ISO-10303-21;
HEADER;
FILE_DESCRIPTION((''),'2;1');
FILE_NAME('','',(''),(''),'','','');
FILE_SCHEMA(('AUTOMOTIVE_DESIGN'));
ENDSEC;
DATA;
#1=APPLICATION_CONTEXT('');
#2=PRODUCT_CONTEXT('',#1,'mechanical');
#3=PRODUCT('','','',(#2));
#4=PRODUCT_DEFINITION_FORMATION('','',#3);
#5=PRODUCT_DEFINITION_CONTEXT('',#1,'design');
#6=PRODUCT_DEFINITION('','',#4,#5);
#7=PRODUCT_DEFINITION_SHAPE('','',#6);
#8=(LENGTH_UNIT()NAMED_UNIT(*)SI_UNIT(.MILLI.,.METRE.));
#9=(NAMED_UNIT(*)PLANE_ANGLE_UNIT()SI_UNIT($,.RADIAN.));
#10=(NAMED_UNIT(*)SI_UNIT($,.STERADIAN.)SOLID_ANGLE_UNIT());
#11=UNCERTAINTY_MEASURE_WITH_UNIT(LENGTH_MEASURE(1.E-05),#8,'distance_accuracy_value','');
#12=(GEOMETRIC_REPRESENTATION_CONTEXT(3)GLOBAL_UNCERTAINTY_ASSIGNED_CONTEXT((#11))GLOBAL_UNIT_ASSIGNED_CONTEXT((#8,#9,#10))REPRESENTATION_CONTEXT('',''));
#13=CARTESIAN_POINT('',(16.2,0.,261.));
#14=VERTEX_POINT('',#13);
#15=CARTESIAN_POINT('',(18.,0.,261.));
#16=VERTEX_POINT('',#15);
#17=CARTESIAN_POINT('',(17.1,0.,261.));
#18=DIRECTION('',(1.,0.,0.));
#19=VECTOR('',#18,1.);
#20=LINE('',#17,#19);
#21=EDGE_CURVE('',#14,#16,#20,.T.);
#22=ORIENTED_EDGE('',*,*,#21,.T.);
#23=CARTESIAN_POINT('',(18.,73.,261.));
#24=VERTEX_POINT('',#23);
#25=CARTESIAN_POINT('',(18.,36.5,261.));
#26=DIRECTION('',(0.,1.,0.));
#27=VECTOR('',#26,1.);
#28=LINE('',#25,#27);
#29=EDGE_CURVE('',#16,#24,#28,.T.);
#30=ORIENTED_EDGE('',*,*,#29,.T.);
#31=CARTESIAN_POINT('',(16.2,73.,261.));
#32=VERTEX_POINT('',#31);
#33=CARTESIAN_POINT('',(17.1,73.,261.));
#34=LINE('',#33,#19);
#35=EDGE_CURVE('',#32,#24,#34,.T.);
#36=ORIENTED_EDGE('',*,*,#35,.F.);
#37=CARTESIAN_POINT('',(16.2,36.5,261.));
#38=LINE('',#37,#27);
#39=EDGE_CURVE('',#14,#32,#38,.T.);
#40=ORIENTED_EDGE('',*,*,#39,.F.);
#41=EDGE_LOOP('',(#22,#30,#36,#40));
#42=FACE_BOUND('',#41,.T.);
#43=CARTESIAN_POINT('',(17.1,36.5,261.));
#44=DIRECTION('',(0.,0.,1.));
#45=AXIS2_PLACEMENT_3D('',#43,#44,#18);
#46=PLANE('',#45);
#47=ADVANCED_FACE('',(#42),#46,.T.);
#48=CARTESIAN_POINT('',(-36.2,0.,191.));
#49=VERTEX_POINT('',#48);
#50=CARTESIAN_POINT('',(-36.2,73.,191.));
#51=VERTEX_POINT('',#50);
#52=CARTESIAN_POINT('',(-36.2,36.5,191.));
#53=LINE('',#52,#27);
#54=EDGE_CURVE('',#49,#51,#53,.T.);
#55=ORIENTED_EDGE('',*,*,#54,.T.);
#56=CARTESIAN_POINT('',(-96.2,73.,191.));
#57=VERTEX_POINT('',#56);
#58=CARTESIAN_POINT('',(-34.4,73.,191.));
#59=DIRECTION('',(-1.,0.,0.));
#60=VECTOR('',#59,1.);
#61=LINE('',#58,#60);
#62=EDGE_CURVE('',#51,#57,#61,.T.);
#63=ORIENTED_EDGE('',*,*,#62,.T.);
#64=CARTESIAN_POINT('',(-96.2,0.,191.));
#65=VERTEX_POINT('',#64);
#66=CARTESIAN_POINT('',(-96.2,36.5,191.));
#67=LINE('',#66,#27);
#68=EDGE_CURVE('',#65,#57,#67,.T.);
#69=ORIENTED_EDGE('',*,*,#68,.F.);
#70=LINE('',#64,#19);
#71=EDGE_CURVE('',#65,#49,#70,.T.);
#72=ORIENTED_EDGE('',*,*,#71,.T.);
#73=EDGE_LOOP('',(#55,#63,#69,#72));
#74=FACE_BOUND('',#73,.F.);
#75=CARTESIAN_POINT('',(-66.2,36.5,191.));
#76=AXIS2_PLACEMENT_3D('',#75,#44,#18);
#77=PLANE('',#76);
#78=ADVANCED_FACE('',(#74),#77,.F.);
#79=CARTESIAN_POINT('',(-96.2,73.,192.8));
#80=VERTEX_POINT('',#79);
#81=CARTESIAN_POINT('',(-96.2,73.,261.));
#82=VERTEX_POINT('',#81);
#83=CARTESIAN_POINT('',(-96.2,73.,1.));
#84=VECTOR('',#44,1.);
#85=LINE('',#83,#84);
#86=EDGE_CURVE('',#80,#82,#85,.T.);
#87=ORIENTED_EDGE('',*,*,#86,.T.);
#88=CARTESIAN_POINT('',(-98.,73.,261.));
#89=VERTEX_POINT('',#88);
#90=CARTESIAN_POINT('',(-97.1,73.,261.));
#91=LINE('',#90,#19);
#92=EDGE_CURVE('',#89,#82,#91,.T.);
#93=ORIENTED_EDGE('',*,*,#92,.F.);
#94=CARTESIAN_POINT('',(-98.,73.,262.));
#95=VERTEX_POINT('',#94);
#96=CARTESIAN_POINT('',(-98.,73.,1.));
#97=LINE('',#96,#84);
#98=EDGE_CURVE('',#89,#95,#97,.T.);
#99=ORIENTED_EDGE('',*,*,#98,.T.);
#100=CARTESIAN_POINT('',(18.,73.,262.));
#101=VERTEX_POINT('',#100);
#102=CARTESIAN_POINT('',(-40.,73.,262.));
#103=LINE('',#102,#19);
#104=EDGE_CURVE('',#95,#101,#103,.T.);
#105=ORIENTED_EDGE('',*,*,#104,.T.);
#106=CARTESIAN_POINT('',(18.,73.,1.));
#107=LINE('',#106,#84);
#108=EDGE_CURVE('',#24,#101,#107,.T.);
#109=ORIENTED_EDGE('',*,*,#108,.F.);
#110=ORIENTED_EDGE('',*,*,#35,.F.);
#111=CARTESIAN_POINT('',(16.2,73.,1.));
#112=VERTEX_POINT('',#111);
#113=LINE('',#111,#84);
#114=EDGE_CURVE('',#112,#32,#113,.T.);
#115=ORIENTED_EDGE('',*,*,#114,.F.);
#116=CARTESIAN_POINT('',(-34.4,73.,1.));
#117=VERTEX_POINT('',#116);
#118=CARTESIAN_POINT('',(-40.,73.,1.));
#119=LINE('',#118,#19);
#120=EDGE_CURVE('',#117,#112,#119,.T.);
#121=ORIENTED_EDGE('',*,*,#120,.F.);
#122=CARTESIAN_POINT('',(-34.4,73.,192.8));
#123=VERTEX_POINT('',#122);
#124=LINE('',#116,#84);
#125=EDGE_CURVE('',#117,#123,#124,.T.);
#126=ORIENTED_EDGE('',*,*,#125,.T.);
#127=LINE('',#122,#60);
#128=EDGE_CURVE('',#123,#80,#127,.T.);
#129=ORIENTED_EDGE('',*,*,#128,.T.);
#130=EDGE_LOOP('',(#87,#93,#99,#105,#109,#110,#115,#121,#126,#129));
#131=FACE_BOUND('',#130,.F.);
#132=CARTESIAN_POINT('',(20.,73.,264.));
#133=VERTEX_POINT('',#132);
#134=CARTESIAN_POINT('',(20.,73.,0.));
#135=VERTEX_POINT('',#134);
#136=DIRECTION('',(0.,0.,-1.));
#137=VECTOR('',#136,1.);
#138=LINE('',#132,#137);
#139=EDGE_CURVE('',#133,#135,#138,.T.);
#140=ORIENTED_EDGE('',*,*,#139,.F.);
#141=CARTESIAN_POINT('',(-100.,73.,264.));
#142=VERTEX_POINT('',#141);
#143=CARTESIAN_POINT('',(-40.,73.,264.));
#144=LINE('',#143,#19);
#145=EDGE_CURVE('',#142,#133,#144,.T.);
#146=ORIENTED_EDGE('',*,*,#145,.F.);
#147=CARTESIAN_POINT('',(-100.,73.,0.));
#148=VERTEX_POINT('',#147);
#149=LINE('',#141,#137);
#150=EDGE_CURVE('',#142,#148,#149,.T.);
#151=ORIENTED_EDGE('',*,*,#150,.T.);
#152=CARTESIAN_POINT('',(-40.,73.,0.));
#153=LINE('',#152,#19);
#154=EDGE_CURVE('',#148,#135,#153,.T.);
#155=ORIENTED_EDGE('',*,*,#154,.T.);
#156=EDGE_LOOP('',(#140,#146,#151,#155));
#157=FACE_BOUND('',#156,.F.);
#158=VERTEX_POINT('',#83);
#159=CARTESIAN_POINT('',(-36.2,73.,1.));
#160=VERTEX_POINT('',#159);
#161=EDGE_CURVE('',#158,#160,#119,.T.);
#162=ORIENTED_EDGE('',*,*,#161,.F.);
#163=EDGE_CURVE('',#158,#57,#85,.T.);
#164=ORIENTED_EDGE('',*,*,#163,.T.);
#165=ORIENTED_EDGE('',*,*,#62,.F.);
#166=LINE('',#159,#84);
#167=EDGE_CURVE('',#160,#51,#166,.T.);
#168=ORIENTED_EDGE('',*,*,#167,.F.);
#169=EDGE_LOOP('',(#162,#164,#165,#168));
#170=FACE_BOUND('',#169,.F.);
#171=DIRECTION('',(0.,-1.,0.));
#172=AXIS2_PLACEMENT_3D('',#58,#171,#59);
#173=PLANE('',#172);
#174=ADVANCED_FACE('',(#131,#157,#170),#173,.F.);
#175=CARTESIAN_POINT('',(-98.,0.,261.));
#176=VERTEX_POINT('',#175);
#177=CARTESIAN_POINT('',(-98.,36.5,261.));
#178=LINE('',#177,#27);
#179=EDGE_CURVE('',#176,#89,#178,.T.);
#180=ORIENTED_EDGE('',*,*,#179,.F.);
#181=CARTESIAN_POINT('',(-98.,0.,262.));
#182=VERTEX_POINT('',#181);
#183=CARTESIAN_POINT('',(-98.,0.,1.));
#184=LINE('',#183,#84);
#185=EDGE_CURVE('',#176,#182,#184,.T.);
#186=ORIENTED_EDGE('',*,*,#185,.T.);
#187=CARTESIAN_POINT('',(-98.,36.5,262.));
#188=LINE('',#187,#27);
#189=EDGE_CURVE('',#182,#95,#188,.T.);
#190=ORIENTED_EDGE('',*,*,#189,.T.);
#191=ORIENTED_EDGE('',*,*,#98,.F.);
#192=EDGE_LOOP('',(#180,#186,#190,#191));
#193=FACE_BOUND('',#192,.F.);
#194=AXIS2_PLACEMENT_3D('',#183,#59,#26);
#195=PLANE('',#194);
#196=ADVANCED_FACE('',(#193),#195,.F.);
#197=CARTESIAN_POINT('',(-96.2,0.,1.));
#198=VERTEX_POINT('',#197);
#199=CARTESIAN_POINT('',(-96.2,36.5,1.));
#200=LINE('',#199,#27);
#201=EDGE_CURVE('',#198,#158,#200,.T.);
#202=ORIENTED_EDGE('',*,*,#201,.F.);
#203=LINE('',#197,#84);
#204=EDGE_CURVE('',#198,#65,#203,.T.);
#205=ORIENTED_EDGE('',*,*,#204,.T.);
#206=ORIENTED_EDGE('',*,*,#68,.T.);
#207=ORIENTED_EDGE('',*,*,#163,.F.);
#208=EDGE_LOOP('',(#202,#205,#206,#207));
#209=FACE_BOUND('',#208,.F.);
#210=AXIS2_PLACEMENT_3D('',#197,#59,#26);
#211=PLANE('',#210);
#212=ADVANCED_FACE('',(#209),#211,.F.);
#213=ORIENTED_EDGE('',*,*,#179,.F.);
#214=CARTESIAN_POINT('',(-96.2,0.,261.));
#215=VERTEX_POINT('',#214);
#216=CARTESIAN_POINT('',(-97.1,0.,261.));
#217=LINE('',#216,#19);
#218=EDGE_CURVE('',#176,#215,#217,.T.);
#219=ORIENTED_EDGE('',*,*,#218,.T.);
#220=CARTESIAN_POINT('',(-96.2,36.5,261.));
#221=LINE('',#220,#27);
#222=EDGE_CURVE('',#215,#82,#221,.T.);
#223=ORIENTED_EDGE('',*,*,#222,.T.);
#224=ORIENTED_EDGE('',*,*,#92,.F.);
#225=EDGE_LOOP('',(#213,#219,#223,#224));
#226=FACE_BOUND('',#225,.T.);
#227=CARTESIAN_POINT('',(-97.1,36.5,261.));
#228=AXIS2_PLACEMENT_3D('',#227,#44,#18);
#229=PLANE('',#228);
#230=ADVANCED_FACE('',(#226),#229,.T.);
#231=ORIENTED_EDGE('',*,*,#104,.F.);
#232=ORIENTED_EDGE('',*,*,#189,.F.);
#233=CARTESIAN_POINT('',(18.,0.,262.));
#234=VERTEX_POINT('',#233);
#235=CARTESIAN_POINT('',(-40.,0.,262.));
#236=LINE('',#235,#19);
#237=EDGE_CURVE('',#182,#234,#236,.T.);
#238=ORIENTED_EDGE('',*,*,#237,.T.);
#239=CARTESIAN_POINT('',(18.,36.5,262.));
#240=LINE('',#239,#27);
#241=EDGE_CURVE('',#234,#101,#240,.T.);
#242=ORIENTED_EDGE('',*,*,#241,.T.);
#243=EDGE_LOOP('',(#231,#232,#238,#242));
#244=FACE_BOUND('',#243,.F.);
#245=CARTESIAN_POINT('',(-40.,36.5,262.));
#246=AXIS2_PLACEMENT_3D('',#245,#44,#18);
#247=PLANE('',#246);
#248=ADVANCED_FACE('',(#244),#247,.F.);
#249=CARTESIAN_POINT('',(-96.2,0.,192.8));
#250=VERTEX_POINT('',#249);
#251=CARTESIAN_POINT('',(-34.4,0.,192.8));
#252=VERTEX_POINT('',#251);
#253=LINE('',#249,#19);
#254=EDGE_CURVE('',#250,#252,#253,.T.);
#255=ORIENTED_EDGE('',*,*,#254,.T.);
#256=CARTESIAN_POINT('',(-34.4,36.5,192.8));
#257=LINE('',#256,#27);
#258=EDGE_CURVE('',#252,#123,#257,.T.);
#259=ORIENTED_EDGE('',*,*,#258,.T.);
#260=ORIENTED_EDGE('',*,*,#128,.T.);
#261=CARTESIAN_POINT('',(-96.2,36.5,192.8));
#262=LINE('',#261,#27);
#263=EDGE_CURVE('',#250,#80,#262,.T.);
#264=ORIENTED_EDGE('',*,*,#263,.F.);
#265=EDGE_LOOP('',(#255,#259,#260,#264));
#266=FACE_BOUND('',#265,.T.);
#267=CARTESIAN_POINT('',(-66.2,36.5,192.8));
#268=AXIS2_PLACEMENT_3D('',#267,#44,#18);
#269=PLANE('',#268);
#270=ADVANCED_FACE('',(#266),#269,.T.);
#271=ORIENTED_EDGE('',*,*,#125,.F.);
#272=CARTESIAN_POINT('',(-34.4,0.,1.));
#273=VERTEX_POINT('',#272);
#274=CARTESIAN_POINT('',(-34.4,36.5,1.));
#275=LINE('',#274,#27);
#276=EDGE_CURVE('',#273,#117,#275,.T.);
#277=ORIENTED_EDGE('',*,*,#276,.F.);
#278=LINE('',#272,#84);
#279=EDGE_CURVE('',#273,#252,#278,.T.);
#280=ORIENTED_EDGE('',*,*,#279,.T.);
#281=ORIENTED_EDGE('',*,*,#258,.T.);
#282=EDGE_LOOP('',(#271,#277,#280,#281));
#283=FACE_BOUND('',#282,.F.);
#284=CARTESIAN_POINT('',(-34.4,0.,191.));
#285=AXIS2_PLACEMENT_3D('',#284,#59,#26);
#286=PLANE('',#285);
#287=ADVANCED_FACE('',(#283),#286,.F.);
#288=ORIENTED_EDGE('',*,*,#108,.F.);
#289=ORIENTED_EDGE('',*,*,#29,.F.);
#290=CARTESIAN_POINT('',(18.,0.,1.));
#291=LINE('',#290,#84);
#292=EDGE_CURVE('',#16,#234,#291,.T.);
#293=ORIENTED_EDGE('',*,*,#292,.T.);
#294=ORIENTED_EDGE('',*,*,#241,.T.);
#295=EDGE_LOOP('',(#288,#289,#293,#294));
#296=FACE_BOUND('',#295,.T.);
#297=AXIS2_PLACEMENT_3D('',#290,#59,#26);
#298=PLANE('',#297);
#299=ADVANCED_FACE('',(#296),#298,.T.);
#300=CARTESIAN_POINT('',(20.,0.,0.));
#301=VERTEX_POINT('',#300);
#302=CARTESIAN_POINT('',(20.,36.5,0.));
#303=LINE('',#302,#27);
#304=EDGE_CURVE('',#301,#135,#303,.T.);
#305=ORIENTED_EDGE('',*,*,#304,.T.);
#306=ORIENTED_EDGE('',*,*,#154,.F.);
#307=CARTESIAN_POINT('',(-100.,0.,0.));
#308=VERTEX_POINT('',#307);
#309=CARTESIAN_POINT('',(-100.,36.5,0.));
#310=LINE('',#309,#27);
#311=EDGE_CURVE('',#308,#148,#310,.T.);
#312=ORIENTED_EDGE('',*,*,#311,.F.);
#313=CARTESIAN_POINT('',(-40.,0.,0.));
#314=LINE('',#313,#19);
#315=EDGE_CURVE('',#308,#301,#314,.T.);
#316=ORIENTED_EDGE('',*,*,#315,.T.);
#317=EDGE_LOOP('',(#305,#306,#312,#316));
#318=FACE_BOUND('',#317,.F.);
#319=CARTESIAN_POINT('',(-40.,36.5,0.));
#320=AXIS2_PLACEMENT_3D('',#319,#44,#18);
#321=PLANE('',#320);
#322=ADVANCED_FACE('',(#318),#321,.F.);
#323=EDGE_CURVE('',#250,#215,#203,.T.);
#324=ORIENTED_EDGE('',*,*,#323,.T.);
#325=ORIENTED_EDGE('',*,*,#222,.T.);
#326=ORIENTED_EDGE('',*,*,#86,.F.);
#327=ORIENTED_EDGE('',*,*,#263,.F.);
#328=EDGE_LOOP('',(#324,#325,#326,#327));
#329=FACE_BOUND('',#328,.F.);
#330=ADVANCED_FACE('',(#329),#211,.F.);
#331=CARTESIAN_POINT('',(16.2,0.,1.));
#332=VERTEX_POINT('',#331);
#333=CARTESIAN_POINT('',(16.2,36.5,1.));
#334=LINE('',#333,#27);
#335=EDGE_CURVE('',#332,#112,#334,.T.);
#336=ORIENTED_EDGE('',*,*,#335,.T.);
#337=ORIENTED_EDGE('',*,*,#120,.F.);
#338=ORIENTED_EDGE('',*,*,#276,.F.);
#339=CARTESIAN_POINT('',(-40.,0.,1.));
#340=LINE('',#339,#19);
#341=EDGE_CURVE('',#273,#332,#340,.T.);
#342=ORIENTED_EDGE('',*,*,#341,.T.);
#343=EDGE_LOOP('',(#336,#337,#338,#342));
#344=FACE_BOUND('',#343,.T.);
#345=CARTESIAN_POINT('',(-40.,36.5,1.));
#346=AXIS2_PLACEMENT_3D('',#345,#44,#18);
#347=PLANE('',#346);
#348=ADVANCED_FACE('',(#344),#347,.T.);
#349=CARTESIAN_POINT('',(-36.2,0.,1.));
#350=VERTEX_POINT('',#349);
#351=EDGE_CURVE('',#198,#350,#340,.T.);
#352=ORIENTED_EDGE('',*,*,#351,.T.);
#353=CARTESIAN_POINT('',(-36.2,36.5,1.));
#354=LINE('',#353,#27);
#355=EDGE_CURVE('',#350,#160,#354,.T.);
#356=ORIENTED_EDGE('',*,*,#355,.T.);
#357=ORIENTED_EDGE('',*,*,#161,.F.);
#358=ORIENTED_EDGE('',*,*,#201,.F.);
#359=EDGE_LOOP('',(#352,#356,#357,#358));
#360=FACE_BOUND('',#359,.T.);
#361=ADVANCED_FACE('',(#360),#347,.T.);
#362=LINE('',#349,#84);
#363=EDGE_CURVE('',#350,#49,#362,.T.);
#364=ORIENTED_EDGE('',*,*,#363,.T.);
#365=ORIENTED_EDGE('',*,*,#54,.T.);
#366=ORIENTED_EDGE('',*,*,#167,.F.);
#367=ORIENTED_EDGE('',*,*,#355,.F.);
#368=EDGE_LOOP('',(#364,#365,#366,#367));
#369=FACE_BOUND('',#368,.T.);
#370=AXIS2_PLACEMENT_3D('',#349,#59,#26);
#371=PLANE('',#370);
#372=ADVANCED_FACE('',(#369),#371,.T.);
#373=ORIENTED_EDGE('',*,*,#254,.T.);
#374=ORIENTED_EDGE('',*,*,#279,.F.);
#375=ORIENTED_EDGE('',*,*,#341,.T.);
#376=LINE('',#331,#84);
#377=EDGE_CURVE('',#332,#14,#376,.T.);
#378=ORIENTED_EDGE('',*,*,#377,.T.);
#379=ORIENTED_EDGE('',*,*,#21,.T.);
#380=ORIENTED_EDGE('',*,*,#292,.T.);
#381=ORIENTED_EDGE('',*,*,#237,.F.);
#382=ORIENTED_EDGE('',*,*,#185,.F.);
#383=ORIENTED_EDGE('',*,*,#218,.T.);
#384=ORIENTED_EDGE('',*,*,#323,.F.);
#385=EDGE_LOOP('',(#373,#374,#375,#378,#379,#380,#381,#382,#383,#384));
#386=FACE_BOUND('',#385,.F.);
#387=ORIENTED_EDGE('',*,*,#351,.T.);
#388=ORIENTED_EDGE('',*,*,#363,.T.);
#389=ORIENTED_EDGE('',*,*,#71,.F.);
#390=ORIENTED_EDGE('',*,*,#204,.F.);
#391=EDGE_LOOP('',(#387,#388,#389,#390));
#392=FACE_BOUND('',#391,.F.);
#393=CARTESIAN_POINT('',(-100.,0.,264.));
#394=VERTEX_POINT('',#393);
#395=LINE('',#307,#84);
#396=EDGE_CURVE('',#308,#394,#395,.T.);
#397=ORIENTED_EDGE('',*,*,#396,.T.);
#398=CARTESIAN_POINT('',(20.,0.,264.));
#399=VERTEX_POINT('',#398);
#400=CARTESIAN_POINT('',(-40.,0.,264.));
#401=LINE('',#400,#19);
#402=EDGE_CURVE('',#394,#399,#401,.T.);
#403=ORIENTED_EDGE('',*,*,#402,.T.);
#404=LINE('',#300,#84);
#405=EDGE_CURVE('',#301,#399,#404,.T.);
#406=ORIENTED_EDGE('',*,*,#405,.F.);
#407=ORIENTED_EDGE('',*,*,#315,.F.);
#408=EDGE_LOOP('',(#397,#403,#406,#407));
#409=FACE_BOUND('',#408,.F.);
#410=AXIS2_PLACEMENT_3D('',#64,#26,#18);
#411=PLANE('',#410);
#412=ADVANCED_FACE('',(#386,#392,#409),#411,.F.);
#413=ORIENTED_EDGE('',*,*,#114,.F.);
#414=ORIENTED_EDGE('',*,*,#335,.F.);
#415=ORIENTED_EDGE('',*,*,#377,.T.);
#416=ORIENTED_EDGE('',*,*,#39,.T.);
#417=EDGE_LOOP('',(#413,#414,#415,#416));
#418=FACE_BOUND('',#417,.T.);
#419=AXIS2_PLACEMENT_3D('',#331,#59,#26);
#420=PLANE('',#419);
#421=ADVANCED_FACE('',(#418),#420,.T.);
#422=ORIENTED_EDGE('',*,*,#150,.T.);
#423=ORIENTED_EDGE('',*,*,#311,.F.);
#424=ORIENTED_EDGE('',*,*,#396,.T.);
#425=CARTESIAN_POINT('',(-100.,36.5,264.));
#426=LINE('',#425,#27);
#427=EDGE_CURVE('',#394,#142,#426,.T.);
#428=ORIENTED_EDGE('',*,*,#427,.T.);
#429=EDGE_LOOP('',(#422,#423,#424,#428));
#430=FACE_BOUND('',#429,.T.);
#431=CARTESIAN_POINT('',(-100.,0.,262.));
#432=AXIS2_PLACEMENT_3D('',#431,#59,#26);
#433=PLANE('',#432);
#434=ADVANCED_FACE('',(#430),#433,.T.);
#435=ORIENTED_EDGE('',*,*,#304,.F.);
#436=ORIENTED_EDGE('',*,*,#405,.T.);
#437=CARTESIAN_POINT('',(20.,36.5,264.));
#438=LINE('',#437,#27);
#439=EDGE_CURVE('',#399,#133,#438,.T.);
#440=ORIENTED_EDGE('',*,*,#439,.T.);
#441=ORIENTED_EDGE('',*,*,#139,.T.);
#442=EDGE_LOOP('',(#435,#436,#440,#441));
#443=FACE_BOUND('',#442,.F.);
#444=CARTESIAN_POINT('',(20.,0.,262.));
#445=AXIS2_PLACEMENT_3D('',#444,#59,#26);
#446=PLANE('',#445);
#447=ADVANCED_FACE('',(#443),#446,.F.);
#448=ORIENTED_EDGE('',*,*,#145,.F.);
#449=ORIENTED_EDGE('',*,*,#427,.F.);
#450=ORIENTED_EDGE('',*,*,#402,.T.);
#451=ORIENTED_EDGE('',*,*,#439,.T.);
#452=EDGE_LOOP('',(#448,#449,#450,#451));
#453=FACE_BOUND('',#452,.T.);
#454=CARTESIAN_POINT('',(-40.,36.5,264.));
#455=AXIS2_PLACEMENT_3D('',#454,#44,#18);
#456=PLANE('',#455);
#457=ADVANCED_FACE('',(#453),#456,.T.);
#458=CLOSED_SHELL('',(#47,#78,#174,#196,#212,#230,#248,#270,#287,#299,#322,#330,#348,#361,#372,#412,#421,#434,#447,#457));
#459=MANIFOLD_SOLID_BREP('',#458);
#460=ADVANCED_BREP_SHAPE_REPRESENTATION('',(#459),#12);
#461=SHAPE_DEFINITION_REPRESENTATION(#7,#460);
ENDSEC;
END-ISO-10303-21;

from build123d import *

# Parameters (mm, degrees)
F0_W      = 120
F0_H      = 73
F1_DEPTH  = 1
F2_W      = 2
F2_H      = 73
F3_DEPTH  = 261
F4_W      = 120
F4_H      = 73
F5_DEPTH  = 2
F6_W      = 1.8
F6_H      = 73
F7_DEPTH  = 260
F9_W      = 1.8
F9_H      = 73
F10_DEPTH = 190
F11_W     = 60
F11_H     = 73
F11_W_2   = 1.8
F12_DEPTH = 1.8


with BuildPart() as f1:
    # F0 (on Top) → F1 (new body)
    with BuildSketch(Plane.XY):
        with Locations((-40, 36.5)):
            Rectangle(F0_W, F0_H)
    extrude(amount=F1_DEPTH)

    # F2 (on face) → F3 (join)
    with BuildSketch(Plane.XY.offset(1)):
        with Locations((-99, 36.5)):
            Rectangle(F2_W, F2_H)
        with Locations((19, 36.5)):
            Rectangle(F2_W, F2_H)
    extrude(amount=F3_DEPTH)

    # F4 (on face) → F5 (join)
    with BuildSketch(Plane.XY.offset(262)):
        with Locations((-40, 36.5)):
            Rectangle(F4_W, F4_H)
    extrude(amount=F5_DEPTH)

    # F6 (on face) → F7 (join)
    with BuildSketch(Plane.XY.offset(1)):
        with Locations((-97.1, 36.5)):
            Rectangle(F6_W, F6_H)
        with Locations((17.1, 36.5)):
            Rectangle(F6_W, F6_H)
    extrude(amount=F7_DEPTH)

    # F9 (on face) → F10 (join)
    with BuildSketch(Plane.XY.offset(1)):
        with Locations((-35.3, 36.5)):
            Rectangle(F9_W, F9_H)
    extrude(amount=F10_DEPTH)

    # F11 (on face) → F12 (join)
    with BuildSketch(Plane.XY.offset(191)):
        with Locations((-66.2, 36.5)):
            Rectangle(F11_W, F11_H)
        with Locations((-35.3, 36.5)):
            Rectangle(F11_W_2, F11_H)
    extrude(amount=F12_DEPTH)


solid = f1.part
